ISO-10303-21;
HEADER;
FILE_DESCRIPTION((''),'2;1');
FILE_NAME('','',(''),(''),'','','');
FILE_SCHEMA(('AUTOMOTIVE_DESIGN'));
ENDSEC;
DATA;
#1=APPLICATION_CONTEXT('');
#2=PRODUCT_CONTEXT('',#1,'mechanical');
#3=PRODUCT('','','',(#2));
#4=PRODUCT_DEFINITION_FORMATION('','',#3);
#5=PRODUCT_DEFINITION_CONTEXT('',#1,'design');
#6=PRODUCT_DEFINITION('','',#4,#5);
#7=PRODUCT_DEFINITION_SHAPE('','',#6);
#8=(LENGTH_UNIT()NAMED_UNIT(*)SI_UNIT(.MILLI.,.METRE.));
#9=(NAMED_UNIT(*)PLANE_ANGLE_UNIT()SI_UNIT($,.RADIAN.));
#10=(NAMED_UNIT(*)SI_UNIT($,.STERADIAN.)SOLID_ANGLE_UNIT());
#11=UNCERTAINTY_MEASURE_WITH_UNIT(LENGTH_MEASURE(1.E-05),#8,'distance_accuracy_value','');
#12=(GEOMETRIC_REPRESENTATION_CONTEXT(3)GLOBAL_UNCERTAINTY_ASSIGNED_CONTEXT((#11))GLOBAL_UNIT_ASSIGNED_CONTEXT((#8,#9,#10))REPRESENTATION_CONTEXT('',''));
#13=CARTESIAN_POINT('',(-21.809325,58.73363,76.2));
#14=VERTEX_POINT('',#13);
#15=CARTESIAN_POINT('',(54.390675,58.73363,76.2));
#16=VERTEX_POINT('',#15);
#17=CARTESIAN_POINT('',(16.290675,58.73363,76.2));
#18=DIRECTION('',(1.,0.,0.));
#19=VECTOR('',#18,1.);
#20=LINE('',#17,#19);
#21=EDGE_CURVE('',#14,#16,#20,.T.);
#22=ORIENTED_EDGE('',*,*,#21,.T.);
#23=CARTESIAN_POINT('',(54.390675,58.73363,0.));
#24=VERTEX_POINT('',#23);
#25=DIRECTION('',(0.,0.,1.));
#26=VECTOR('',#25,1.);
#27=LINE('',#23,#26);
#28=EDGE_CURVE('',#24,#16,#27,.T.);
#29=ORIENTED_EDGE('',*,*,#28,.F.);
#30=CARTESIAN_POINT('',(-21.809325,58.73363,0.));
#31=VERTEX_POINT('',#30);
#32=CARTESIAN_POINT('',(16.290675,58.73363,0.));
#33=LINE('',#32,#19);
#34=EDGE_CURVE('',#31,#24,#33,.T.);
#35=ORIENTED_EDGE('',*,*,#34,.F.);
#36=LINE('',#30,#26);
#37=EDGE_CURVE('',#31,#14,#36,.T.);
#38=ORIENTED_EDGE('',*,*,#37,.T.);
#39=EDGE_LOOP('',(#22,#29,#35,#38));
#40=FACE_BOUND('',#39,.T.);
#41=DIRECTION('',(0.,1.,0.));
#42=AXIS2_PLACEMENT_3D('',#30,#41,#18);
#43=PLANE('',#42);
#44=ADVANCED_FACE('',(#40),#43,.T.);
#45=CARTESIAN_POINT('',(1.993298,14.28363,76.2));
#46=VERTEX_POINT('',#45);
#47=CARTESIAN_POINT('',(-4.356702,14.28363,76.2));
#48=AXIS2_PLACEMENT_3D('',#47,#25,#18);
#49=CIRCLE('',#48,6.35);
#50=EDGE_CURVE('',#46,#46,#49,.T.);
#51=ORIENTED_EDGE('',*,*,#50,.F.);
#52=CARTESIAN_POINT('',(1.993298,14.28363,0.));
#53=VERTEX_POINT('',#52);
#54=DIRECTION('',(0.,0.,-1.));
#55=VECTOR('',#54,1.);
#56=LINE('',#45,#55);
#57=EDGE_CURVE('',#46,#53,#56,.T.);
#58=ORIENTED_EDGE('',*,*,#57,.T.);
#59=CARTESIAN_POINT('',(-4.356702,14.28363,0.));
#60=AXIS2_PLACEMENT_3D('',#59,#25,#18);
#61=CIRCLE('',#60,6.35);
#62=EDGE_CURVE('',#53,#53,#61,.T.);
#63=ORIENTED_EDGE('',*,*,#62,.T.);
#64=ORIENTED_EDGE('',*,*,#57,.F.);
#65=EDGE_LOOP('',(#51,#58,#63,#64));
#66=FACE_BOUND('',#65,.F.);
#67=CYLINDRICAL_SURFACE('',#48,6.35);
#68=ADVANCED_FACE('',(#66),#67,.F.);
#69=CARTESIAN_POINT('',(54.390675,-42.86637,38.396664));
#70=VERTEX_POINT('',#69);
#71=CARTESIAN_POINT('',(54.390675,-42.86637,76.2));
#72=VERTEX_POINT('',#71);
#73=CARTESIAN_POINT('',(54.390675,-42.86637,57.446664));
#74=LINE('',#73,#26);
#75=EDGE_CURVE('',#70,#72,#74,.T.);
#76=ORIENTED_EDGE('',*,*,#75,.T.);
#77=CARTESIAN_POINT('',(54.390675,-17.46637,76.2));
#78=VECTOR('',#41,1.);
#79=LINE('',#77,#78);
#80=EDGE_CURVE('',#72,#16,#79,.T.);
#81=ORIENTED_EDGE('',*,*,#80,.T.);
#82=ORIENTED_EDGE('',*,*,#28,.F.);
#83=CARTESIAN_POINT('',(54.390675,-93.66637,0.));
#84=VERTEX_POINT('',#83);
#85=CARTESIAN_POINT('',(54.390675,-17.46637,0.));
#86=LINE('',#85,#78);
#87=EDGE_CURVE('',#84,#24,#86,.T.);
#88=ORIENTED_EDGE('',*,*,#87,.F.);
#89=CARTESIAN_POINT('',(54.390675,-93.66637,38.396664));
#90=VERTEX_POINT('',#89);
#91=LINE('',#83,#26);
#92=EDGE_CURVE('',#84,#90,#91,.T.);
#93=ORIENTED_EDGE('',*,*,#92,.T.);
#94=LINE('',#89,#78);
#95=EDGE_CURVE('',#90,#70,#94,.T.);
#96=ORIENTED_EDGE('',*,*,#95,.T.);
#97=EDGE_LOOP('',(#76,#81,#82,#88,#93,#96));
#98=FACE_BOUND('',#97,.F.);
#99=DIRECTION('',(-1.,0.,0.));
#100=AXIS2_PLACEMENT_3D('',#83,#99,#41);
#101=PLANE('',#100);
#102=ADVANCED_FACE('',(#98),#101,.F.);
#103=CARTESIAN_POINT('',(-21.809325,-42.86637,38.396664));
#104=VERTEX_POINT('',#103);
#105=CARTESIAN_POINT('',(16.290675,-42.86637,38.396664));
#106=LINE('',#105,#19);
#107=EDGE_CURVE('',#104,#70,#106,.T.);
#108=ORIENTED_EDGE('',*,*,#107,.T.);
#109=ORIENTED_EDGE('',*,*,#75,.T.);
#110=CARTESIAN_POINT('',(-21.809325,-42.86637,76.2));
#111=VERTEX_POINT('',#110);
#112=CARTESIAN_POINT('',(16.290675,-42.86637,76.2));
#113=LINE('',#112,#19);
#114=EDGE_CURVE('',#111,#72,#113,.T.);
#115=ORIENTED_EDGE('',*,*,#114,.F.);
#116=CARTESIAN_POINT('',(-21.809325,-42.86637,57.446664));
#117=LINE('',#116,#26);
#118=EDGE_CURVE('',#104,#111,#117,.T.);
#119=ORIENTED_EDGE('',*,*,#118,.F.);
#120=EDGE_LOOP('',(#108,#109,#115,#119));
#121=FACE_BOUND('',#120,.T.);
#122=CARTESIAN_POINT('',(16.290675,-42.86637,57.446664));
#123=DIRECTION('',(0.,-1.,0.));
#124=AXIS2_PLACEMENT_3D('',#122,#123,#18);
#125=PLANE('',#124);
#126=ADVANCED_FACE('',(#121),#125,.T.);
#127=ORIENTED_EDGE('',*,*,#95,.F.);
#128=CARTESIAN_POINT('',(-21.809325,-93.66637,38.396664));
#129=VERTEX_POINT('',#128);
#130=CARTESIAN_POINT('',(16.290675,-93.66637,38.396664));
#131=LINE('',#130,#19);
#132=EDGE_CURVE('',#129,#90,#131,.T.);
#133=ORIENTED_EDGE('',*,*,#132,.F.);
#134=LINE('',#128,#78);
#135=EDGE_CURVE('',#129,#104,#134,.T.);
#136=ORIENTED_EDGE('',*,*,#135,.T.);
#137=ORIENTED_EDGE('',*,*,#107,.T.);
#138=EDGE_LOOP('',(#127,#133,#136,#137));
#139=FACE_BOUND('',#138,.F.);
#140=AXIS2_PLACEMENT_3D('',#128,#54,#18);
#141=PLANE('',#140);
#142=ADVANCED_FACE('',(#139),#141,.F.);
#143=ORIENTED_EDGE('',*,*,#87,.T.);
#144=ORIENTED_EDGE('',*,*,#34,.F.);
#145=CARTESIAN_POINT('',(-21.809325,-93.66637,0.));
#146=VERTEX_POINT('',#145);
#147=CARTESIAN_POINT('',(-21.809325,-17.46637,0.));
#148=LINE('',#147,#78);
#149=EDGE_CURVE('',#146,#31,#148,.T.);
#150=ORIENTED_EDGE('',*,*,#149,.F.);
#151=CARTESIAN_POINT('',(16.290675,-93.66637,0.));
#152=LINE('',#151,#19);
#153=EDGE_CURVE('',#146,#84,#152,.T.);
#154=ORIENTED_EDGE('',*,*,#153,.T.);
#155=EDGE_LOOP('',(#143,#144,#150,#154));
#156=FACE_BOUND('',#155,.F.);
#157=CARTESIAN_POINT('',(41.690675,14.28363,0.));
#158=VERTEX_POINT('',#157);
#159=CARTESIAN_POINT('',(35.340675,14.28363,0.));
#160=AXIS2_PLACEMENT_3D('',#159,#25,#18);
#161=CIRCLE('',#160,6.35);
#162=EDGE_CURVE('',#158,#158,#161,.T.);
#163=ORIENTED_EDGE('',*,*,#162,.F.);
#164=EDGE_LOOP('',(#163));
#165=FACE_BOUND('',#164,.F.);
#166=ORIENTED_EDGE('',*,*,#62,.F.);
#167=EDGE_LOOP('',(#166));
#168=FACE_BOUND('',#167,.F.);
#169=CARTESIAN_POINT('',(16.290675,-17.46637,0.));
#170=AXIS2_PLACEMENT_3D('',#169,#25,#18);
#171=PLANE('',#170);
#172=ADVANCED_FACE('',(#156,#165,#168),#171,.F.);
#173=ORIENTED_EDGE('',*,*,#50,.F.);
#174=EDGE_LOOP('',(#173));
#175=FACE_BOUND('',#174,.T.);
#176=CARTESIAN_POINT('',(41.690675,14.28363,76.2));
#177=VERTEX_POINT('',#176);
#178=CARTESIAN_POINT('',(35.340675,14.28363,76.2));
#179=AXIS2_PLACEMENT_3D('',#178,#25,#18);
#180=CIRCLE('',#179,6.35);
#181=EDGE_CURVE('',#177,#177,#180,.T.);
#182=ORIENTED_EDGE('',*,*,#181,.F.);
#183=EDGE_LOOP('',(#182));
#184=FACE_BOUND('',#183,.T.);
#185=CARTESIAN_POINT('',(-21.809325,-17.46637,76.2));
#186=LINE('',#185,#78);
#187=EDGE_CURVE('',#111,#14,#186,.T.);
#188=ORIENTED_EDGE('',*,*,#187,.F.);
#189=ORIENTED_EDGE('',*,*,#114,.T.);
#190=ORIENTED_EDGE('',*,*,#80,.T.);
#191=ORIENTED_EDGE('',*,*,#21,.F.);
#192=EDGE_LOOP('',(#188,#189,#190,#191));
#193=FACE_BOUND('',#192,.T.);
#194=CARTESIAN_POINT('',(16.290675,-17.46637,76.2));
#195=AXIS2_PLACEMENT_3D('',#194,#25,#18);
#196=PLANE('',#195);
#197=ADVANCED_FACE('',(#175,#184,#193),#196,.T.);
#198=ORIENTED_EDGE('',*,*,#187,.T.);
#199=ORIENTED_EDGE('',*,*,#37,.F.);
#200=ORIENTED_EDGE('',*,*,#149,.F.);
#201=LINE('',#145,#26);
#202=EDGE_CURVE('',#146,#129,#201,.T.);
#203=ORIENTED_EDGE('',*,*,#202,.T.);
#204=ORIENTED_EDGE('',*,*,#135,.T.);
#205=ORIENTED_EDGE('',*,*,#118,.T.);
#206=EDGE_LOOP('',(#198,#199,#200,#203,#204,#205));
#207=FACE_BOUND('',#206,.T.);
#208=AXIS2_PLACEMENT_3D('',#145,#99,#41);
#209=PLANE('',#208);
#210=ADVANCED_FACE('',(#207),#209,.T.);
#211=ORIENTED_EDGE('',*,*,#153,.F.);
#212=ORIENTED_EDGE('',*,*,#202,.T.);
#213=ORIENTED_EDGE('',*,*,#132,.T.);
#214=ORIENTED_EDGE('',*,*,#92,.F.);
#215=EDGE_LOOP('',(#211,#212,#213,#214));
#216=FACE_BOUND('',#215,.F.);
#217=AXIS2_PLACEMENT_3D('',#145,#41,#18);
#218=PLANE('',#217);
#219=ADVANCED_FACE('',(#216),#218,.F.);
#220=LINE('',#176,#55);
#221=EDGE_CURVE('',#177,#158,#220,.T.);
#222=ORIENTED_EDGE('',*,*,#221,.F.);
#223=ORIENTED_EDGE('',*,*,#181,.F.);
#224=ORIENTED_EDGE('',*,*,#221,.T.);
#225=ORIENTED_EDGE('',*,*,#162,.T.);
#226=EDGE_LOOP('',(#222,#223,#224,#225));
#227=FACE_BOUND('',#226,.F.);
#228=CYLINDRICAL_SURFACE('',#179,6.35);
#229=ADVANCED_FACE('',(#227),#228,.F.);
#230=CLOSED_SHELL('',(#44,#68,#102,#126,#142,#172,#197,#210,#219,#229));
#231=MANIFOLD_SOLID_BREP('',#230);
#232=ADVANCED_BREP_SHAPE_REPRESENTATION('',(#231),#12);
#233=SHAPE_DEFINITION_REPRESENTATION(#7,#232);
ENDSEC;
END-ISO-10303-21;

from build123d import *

# Parameters (mm, degrees)
F0_W     = 76.2
F0_H     = 152.4
F1_DEPTH = 76.2
F2_R     = 6.35
F3_DEPTH = 76.2
F4_W     = 76.2
F4_H     = 38.1
F5_DEPTH = 25.4
F6_DEPTH = 50.8


with BuildPart() as f1:
    # F0 (on Top) → F1 (new body)
    with BuildSketch(Plane.XY):
        with Locations((16.290675, -17.46637)):
            Rectangle(F0_W, F0_H)
    extrude(amount=F1_DEPTH)

    # F2 (on face) → F3 (cut)
    with BuildSketch(Plane.XY.offset(76.2)):
        with Locations((-4.356702, 14.28363)):
            Circle(F2_R)
        with Locations((35.340675, 14.28363)):
            Circle(F2_R)
    extrude(amount=-F3_DEPTH, mode=Mode.SUBTRACT)

    # F4 (on face) → F5 (cut)
    with BuildSketch(Plane.XZ.offset(93.66637)):
        with Locations((16.290675, 57.446664)):
            Rectangle(F4_W, F4_H)
    extrude(amount=-F5_DEPTH, mode=Mode.SUBTRACT)

    # F4 (on face) → F6 (cut)
    with BuildSketch(Plane.XZ.offset(93.66637)):
        with Locations((16.290675, 57.446664)):
            Rectangle(F4_W, F4_H)
    extrude(amount=-F6_DEPTH, mode=Mode.SUBTRACT)


solid = f1.part
